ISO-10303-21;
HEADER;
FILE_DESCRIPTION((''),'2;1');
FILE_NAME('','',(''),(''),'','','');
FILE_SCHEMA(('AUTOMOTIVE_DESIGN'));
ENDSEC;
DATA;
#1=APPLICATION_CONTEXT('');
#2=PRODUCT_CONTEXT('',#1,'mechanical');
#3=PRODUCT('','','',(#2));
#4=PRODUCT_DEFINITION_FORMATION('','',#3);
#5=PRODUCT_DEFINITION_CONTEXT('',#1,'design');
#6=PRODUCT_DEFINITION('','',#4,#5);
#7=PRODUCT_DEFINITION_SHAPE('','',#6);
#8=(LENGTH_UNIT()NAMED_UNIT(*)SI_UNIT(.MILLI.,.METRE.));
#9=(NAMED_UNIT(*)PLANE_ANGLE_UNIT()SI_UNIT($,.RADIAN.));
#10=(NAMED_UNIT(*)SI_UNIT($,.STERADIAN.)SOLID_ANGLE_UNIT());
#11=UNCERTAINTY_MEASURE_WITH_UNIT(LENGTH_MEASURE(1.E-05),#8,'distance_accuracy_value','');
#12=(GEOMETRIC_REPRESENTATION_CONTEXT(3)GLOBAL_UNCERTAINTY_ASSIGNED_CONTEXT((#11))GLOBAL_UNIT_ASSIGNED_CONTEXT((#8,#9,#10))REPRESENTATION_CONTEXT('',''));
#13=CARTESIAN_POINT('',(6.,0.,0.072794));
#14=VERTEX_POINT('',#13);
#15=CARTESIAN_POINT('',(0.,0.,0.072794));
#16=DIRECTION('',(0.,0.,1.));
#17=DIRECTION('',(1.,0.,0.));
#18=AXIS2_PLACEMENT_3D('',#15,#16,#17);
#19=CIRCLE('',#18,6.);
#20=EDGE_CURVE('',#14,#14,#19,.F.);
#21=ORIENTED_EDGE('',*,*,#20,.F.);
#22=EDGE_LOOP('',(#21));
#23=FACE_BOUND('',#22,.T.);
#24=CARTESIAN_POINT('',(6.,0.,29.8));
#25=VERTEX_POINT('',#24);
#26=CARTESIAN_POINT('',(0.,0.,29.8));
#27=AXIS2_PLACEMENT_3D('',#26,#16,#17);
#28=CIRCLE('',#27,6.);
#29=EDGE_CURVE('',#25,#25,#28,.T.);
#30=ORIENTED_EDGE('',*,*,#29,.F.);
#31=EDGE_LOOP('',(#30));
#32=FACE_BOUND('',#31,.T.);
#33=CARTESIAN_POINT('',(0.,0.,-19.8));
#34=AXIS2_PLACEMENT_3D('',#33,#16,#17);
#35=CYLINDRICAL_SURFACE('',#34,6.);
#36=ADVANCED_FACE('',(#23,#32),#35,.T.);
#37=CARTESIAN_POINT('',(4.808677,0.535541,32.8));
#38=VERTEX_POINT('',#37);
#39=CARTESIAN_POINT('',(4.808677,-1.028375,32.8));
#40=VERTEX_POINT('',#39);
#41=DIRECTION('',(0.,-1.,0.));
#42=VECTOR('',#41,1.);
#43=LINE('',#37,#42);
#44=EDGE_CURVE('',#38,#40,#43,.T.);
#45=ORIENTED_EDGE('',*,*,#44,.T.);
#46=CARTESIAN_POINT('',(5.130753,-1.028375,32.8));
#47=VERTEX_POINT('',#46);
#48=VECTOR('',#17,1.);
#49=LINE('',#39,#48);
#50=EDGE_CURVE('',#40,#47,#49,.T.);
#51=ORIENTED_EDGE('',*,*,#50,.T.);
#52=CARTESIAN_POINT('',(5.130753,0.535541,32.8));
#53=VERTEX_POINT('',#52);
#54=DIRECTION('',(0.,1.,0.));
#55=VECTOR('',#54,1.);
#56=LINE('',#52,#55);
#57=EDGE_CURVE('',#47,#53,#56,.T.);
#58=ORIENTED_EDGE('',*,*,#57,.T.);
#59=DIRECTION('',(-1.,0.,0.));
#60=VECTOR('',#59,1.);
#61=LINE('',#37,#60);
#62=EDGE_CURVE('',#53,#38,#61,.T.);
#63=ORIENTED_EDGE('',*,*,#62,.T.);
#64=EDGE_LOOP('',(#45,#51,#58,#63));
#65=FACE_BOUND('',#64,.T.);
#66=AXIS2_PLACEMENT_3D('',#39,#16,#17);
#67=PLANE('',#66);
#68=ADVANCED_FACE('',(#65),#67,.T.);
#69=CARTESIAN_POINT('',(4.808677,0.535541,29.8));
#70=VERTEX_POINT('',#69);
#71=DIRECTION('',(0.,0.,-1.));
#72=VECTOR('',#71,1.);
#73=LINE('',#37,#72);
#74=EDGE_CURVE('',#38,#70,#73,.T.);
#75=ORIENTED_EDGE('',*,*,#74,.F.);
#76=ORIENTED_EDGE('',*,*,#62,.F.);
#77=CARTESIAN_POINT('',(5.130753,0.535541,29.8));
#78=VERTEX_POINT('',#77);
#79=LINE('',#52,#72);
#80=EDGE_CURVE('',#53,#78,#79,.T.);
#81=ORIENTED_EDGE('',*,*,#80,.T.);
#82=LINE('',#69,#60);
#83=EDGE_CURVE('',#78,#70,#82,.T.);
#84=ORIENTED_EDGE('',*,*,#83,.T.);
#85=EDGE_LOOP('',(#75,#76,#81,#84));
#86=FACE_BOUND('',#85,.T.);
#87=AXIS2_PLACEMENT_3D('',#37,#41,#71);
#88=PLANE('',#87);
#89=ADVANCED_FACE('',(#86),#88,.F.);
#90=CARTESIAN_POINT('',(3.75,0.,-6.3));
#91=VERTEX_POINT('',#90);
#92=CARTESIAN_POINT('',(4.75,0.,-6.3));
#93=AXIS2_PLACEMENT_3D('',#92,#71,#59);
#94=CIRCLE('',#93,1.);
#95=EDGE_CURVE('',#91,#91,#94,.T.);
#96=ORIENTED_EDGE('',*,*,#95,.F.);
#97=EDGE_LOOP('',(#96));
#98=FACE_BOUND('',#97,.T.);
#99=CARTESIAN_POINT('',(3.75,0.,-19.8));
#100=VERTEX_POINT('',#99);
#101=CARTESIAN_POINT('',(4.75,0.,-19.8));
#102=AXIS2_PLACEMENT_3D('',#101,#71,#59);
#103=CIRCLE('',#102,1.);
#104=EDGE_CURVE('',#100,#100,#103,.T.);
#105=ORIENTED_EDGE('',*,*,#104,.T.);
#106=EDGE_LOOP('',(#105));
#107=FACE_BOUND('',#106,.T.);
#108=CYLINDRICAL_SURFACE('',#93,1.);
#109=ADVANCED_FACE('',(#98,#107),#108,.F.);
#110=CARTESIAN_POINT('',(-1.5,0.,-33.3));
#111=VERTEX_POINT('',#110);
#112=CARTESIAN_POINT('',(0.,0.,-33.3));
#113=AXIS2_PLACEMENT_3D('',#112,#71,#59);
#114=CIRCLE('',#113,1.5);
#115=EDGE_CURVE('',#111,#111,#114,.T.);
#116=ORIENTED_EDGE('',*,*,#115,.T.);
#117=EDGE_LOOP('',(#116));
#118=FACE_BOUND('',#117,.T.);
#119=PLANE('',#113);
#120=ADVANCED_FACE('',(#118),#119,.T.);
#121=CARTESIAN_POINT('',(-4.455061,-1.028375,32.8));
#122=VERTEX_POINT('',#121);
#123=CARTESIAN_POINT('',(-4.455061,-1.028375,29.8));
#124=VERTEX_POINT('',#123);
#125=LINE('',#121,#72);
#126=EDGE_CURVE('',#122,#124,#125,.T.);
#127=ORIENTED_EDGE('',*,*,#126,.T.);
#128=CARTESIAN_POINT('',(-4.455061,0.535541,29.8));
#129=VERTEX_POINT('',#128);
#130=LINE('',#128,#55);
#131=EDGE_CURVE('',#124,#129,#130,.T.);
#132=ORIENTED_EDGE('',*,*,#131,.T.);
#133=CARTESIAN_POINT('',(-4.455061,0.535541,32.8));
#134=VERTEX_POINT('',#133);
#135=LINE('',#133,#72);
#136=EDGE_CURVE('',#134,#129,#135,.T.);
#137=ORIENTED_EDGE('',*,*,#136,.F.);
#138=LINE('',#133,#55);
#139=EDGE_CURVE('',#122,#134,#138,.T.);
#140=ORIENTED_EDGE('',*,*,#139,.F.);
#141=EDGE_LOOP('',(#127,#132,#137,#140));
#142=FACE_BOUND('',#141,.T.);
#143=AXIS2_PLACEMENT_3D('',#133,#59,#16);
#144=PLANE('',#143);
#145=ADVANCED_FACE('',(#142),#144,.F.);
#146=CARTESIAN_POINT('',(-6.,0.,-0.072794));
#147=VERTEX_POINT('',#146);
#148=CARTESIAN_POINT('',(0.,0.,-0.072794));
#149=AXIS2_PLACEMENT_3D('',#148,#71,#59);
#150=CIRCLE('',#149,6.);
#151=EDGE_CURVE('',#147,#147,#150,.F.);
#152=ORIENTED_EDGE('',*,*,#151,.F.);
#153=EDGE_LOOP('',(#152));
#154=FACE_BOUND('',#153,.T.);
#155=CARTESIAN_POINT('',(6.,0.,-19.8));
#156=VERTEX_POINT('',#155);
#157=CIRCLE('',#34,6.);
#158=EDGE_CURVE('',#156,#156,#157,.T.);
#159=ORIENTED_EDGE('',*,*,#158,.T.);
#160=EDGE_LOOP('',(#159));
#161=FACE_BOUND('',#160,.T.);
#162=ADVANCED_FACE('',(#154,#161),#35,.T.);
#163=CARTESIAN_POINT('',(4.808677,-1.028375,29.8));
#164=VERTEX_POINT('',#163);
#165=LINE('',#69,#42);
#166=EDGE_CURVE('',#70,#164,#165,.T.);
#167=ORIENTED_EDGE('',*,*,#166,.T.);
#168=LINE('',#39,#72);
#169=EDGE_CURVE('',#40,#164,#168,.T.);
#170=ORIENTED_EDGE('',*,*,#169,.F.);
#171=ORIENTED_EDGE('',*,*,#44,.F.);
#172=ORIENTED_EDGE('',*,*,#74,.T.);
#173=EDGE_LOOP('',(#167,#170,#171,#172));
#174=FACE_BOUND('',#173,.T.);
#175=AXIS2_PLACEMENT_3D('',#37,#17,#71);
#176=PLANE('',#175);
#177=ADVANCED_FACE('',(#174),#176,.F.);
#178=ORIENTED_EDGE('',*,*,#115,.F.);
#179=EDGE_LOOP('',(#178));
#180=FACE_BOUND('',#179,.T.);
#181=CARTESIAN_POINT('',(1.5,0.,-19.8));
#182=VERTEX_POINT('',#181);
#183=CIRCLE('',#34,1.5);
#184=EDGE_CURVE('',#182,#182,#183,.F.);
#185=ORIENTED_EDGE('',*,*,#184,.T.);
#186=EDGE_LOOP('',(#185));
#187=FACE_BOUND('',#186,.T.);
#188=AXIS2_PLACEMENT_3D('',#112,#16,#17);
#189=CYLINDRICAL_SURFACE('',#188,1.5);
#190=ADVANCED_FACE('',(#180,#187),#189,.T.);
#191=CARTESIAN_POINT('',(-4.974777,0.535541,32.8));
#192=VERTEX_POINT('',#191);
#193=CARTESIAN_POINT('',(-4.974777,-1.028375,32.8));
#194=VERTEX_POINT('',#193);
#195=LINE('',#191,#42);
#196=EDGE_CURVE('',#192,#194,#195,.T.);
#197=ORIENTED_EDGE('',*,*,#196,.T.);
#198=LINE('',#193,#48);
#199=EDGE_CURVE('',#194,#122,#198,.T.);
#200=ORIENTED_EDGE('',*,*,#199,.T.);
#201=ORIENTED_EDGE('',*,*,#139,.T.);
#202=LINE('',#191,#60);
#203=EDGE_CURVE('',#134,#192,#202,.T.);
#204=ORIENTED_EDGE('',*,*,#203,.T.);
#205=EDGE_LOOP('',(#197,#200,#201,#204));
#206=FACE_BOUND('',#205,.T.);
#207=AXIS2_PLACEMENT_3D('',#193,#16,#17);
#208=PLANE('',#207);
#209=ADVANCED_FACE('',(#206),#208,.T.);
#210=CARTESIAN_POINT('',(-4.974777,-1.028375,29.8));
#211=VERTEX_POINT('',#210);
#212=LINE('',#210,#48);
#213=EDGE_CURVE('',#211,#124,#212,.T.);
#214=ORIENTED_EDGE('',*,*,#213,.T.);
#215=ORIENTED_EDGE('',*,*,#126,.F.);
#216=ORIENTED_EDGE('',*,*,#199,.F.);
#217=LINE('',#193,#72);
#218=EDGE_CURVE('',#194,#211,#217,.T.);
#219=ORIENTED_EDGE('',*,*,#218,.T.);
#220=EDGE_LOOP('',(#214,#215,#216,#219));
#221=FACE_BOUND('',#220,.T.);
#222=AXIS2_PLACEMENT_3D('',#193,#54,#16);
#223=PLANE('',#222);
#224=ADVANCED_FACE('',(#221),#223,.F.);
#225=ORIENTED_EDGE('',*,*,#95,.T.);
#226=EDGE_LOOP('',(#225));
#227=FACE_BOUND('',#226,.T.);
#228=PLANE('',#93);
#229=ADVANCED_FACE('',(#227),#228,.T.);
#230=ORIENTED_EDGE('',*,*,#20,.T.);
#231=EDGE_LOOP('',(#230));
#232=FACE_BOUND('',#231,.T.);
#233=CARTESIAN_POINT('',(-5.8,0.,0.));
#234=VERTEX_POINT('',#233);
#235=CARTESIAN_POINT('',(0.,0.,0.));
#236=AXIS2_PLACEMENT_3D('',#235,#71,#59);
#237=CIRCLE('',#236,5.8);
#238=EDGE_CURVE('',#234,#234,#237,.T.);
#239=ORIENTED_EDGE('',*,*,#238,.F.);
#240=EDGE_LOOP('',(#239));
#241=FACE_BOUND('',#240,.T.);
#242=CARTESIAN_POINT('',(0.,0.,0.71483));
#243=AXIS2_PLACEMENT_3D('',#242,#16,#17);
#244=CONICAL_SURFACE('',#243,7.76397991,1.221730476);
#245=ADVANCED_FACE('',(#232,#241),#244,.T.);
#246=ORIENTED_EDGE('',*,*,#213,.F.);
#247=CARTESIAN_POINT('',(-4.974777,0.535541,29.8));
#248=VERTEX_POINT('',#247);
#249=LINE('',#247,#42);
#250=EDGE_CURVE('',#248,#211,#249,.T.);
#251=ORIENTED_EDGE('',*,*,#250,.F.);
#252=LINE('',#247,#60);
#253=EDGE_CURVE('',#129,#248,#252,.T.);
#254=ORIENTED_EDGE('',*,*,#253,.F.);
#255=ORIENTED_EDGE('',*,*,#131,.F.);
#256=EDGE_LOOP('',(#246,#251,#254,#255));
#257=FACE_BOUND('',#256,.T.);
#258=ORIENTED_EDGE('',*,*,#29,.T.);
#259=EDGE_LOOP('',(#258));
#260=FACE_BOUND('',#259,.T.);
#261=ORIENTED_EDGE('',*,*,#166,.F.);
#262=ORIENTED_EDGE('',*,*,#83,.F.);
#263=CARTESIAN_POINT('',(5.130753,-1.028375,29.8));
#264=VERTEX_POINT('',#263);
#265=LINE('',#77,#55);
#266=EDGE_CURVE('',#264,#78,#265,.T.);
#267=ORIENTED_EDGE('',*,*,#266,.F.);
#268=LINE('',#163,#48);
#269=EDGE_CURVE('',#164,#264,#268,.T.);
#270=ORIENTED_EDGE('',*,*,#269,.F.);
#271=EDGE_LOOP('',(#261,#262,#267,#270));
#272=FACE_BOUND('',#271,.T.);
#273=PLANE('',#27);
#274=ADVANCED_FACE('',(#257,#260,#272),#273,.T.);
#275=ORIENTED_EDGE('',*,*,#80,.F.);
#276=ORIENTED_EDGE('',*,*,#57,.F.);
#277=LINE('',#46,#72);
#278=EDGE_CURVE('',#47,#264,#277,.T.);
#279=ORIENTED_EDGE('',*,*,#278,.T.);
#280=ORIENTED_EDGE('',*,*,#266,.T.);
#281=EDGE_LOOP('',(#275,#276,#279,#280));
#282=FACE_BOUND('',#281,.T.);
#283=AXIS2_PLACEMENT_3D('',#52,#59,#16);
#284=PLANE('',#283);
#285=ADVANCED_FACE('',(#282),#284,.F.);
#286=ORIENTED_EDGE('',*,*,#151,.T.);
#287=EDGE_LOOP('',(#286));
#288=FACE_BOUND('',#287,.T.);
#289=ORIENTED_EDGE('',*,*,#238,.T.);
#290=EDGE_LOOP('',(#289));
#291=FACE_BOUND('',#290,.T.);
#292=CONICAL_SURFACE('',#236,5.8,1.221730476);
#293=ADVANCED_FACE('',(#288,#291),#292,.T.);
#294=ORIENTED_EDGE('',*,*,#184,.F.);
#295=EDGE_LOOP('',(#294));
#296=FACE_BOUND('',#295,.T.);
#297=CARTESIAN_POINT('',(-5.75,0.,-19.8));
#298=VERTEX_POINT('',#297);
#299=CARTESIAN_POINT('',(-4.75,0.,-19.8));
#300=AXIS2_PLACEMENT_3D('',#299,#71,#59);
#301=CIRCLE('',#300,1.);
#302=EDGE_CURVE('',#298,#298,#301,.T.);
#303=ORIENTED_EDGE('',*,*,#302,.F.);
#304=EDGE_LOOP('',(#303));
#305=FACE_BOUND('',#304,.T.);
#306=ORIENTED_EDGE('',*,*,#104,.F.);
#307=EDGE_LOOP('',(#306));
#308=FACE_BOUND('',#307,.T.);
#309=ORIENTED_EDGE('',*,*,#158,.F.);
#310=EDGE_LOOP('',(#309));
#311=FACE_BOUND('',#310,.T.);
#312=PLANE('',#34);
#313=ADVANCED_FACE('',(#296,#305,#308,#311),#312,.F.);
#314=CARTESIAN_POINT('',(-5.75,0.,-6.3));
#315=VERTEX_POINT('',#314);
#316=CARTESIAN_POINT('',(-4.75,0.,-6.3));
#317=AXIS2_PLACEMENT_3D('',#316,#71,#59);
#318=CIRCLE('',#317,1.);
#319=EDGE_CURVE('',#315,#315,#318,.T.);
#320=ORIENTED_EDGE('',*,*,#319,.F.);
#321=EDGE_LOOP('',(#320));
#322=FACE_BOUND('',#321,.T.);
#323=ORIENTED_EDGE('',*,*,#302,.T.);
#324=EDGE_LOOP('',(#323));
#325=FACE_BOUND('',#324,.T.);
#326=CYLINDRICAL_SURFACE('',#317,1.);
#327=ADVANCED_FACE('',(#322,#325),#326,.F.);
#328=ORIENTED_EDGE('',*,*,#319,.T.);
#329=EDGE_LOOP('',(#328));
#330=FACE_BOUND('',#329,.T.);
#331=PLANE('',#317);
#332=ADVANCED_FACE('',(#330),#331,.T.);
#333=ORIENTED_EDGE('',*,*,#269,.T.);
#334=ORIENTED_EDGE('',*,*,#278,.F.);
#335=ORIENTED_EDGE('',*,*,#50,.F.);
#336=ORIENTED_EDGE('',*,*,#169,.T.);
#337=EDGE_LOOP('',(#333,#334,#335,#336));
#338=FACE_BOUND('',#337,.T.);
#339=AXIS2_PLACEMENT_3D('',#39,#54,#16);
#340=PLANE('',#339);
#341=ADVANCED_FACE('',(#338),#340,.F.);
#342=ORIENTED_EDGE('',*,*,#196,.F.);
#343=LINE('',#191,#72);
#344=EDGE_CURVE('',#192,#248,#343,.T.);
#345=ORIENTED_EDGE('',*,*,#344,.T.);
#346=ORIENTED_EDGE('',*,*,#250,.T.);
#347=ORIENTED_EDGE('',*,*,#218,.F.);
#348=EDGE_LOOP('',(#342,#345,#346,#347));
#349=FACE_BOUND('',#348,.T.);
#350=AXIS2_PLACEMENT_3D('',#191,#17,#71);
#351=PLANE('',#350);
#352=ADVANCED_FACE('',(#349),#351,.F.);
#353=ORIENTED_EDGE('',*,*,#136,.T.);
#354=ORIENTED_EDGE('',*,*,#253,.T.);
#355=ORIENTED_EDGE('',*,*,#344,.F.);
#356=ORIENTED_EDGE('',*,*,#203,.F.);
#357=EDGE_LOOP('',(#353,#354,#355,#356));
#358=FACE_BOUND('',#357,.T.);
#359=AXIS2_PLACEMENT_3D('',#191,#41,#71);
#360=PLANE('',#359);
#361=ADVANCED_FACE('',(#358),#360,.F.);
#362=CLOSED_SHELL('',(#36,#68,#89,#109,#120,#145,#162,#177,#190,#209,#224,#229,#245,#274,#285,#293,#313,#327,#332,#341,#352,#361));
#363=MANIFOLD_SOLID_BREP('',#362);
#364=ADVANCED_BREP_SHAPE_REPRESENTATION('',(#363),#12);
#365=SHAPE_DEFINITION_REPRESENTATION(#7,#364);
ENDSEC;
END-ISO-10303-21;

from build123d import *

# Parameters (mm, degrees)
SKETCH1_R           = 6
EXTRUDE1_DEPTH      = 29.8
EXTRUDE1_DEPTH_BACK = 19.8
SKETCH2_W           = 0.322076385
SKETCH2_H           = 1.5639159
SKETCH2_W_2         = 0.519715481
EXTRUDE2_DEPTH      = 3
SKETCH3_R           = 1.5
EXTRUDE3_DEPTH      = 13.5
SKETCH4_R           = 1
CUT_EXTRUDE1_DEPTH  = 13.5


with BuildPart() as part:
    # Sketch1 → Extrude1 (new body, two sides)
    with BuildSketch(Plane.XY) as extrude1_sk:
        Circle(SKETCH1_R)
    extrude(amount=EXTRUDE1_DEPTH)
    extrude(extrude1_sk.sketch, amount=-EXTRUDE1_DEPTH_BACK)

    # Sketch2 → Extrude2 (add)
    with BuildSketch(Plane.XY.offset(29.8)):
        with Locations((4.969715102, -0.2464174)):
            Rectangle(SKETCH2_W, SKETCH2_H)
        with Locations((-4.714918845, -0.2464174)):
            Rectangle(SKETCH2_W_2, SKETCH2_H)
    extrude(amount=EXTRUDE2_DEPTH)

    # Sketch3 → Extrude3 (add)
    with BuildSketch(Plane(origin=(0, 0, -19.8), x_dir=(-1, 0, 0), z_dir=(0, 0, -1))):
        with Locations(Location((0, 0, 0), (0, 0, 180))):  # turned: the seam where the file's is
            Circle(SKETCH3_R)
    extrude(amount=EXTRUDE3_DEPTH)

    # Sketch4 → Cut-Extrude1 (cut)
    with BuildSketch(Plane(origin=(0, 0, -19.8), x_dir=(-1, 0, 0), z_dir=(0, 0, -1))):
        with Locations((4.75, 0)):
            Circle(SKETCH4_R)
        with Locations((-4.75, 0)):
            Circle(SKETCH4_R)
    extrude(amount=-CUT_EXTRUDE1_DEPTH, mode=Mode.SUBTRACT)

    # Sketch6 → Cut-Revolve1 (revolve, cut)
    with BuildSketch(Plane(origin=(0, 0, 0), x_dir=(0, 0, -1), z_dir=(1, 0, 0)), mode=Mode.PRIVATE) as cut_revolve1_sk:
        Polygon((0, 5.8), (0.714830228, 7.76397991), (-0.714830228, 7.76397991), align=None)
    revolve(cut_revolve1_sk.sketch.rotate(Axis((0, 0, 0), (0, 0, 1)), 270), axis=Axis((0, 0, 0), (0, 0, 1)), mode=Mode.SUBTRACT)  # turned: the seam where the file's is


solid = part.part
